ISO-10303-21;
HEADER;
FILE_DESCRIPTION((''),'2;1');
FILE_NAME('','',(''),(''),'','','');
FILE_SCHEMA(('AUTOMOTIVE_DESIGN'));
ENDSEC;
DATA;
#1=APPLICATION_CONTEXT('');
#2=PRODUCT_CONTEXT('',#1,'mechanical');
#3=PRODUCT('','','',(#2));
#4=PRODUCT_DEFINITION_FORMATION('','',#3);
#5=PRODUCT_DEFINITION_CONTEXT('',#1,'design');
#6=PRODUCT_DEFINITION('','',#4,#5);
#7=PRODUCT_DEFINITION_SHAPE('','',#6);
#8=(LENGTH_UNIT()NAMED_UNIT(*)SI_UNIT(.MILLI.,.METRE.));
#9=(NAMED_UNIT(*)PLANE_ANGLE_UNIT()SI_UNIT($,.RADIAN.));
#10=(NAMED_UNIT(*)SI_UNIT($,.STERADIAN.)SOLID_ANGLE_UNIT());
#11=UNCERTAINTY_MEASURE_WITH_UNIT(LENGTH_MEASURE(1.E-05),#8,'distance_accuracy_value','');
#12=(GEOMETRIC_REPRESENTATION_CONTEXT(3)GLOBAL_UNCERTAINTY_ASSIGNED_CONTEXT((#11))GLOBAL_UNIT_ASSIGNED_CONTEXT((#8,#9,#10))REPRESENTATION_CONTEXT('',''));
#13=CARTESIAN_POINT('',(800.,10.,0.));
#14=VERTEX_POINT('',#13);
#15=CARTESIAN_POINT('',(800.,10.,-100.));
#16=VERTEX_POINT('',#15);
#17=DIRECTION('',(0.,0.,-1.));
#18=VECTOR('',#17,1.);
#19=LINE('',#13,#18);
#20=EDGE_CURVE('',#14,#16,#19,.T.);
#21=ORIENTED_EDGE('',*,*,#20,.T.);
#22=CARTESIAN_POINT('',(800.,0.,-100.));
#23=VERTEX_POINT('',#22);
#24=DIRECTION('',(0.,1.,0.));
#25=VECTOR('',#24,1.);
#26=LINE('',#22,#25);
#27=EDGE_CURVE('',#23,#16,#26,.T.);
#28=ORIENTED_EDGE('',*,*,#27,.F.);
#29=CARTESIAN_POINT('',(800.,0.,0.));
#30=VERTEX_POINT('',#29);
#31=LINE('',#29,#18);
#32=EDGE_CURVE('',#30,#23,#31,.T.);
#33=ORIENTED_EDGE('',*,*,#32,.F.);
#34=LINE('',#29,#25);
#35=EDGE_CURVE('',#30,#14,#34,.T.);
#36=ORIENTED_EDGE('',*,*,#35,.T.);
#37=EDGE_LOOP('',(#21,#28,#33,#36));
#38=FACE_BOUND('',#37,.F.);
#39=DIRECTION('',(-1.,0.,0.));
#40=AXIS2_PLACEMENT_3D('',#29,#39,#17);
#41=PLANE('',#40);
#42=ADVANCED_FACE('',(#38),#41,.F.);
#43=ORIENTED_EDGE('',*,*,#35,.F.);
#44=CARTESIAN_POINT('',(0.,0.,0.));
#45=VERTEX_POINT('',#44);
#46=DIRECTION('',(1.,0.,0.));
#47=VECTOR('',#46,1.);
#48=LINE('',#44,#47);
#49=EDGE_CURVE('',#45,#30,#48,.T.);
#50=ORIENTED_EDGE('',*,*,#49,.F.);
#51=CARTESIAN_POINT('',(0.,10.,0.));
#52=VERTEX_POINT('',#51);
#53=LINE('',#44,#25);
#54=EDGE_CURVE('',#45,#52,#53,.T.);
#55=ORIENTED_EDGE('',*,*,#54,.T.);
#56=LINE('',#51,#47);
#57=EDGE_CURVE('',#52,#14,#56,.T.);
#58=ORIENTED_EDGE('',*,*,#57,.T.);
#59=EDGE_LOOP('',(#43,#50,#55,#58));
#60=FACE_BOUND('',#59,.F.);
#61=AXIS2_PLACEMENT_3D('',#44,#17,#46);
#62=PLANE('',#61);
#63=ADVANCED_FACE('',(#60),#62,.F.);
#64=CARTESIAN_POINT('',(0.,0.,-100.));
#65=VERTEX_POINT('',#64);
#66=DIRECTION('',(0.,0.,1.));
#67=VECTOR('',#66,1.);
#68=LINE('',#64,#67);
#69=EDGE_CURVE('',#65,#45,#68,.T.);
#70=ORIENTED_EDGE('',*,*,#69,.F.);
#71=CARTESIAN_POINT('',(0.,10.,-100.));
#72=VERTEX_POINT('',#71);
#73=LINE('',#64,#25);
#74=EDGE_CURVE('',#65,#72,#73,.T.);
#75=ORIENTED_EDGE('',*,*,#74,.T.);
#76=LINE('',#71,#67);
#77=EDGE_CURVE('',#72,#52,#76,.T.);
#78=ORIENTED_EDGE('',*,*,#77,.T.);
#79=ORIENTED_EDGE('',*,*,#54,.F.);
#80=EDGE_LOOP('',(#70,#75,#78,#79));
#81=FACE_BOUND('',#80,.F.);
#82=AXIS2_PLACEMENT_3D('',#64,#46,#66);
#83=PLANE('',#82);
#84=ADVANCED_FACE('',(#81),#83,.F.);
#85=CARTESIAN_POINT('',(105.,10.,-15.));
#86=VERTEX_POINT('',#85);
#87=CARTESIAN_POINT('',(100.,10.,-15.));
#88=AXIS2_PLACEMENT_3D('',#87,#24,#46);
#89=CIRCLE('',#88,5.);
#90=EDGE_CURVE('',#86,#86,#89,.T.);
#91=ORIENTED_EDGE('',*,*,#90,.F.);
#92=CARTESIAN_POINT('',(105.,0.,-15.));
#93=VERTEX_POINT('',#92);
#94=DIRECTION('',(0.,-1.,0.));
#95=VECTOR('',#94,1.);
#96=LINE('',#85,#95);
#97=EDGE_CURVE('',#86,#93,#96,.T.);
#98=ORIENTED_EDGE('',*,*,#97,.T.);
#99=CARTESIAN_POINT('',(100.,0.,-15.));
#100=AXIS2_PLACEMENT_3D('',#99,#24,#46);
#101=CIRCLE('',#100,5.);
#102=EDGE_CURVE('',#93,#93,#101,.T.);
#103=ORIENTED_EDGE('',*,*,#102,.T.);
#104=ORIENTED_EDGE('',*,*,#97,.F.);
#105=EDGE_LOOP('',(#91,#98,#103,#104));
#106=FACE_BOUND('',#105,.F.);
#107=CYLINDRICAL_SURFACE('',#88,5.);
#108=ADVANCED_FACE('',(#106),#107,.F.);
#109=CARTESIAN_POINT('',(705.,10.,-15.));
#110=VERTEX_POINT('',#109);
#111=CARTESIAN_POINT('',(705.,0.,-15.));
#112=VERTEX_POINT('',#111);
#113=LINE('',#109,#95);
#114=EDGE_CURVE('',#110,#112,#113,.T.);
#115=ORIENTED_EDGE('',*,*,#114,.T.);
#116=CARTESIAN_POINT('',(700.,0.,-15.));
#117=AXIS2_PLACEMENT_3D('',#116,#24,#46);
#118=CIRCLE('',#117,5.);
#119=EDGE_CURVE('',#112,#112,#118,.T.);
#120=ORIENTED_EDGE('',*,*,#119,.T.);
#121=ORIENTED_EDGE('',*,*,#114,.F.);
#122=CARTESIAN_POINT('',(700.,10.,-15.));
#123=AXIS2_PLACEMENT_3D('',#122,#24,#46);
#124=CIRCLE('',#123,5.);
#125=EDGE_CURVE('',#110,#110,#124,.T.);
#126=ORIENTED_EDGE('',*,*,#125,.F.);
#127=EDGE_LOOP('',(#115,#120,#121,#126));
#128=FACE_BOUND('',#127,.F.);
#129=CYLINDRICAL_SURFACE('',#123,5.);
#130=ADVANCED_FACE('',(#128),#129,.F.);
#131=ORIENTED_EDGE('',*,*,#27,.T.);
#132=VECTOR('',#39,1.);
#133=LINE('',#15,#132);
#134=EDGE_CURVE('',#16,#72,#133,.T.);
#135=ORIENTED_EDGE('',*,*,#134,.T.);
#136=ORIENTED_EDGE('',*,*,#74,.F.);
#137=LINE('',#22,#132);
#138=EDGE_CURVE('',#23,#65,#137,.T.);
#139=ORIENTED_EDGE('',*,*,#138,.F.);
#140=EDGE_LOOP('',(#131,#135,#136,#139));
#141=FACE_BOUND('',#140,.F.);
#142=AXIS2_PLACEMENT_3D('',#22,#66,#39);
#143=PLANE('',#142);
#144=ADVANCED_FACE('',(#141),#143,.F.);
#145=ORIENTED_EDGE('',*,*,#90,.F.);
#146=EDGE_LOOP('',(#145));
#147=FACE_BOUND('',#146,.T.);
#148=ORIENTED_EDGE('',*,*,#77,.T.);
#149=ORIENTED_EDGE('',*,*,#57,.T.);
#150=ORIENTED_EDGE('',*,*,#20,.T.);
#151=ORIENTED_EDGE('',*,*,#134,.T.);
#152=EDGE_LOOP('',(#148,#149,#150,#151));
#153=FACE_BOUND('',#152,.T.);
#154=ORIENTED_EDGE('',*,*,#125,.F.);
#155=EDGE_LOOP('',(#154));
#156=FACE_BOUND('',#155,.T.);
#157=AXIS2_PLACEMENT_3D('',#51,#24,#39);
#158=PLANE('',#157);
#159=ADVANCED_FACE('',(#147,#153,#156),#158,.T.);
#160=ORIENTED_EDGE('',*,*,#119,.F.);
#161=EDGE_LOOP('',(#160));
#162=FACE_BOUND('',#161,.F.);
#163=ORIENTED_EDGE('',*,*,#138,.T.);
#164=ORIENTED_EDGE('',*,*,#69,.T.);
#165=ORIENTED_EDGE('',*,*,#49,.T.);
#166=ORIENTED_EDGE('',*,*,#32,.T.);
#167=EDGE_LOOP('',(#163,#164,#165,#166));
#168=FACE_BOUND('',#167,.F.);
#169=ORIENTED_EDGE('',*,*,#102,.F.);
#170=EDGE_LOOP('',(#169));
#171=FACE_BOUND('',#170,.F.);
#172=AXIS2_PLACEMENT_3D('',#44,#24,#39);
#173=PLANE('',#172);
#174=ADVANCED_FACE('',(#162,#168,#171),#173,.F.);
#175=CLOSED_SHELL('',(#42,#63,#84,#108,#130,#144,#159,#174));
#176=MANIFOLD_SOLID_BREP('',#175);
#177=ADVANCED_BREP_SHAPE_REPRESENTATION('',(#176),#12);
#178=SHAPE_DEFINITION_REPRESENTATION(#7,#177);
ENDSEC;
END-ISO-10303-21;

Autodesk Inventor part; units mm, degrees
ref_plane "YZ Plane" through (0, 0, 0) normal (1, 0, 0) x (0, 1, 0)
ref_plane "XZ Plane" through (0, 0, 0) normal (0, 1, 0) x (-1, 0, 0)
ref_plane "XY Plane" through (0, 0, 0) normal (0, 0, 1) x (1, 0, 0)
sketch "Sketch1" plane through (0, 0, 0) normal (0, 1, 0) x (-1, 0, 0)
  line L0 (0, 0) -> (-800, 0)
  line L1 (-800, 0) -> (-800, -100)
  line L2 (-800, -100) -> (0, -100)
  line L3 (0, -100) -> (0, 0)
  dimension "d0" = 800
  dimension "d1" = 100
extrude "Extrusion1" add sketch "Sketch1" along normal blind 10
sketch "Sketch2" plane through (0, 10, 0) normal (0, 1, 0) x (1, 0, 0)
  point P0 (0, 0)
sketch "Sketch3" plane through (0, 10, 0) normal (0, 1, 0) x (1, 0, 0)
  circle A0 centre (100, 15) radius 5
  circle A1 centre (700, 15) radius 5
  line L0 (0, 0) -> (800, 0) projected
  line L1 (800, 0) -> (800, 100) projected
  line L2 (0, 100) -> (0, 0) projected
  dimension "d5" = 10
  dimension "d6" = 10
  dimension "d7" = 15
  dimension "d8" = 15
  dimension "d9" = 100
  dimension "d10" = 100
extrude "Extrusion2" cut sketch "Sketch3" against normal blind 10
equation "\"d6\" = d5"
equation "\"d8\" = d7"
equation "\"d10\" = d9"
properties part number "blend_10cm"
